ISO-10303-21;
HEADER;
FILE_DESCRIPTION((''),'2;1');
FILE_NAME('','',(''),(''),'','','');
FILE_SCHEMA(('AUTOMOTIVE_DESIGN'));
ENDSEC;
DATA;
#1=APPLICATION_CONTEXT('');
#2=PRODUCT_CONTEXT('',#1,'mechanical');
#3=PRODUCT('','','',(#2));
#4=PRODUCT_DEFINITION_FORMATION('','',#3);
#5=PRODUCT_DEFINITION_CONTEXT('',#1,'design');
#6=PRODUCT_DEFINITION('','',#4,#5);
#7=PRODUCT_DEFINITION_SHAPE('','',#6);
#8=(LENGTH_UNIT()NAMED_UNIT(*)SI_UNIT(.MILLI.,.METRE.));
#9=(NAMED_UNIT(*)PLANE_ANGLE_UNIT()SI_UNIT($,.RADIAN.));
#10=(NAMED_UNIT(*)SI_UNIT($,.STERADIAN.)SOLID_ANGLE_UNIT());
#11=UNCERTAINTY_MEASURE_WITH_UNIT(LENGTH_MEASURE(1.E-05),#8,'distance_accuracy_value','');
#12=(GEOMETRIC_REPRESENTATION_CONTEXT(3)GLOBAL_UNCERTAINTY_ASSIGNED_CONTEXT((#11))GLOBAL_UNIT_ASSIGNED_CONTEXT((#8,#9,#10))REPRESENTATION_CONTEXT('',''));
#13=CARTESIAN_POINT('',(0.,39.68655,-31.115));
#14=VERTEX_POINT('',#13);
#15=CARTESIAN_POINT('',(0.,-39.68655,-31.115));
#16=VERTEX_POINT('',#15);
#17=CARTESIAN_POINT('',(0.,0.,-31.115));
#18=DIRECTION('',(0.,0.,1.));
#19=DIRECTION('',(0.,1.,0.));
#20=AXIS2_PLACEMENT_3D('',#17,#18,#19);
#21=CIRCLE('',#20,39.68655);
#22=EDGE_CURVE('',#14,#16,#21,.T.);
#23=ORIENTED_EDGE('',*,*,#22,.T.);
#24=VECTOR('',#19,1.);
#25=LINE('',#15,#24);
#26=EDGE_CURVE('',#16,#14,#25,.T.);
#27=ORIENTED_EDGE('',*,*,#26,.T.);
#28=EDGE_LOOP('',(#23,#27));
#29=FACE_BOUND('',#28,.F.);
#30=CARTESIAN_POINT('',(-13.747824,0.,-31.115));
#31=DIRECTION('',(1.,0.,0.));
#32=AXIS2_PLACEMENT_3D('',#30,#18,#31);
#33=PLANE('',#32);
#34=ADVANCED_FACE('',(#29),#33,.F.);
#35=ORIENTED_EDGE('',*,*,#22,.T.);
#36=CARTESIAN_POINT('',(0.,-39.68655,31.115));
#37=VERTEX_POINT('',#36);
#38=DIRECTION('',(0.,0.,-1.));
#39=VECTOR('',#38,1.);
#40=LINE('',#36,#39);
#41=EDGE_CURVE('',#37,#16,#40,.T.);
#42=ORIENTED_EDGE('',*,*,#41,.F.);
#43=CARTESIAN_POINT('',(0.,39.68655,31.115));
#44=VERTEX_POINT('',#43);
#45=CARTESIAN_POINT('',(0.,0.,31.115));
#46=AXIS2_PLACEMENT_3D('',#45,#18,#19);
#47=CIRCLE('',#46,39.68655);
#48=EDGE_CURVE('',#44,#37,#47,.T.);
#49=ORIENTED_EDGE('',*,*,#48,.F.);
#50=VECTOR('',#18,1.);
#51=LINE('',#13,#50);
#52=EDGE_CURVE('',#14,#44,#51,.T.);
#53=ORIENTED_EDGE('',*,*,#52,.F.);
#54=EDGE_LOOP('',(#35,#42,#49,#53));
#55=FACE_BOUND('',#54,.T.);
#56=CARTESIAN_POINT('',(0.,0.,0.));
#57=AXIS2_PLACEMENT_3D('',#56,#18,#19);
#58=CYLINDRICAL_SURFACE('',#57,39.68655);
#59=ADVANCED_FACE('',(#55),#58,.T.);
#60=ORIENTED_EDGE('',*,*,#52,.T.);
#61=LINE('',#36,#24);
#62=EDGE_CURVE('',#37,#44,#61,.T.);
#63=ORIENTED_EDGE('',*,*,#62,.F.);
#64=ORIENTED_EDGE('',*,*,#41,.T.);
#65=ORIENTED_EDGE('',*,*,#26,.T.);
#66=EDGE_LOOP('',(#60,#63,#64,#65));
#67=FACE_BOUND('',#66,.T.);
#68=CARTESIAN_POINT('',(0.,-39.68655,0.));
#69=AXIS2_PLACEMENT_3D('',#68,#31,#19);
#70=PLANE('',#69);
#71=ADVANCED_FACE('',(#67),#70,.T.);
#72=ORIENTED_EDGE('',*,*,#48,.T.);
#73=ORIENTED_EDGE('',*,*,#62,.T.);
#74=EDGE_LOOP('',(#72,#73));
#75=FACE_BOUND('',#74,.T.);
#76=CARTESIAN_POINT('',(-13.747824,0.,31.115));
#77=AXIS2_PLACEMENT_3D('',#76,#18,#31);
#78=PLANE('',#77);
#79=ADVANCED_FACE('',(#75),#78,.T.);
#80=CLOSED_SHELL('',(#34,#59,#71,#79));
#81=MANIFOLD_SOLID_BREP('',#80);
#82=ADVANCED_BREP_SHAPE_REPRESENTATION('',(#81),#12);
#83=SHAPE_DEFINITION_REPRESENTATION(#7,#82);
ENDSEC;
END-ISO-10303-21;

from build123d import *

# Parameters (mm, degrees)
F1_DEPTH = 31.115


with BuildPart() as f1:
    # F0 (on Top) → F1 (new body, symmetric)
    with BuildSketch(Plane.XY):
        with BuildLine():
            Line((0, -39.6865496146), (0, 39.6865496146))
            ThreePointArc((0, 39.6865496146), (-39.6865496146, 0), (0, -39.6865496146))
        make_face()
    extrude(amount=F1_DEPTH, both=True)


solid = f1.part
